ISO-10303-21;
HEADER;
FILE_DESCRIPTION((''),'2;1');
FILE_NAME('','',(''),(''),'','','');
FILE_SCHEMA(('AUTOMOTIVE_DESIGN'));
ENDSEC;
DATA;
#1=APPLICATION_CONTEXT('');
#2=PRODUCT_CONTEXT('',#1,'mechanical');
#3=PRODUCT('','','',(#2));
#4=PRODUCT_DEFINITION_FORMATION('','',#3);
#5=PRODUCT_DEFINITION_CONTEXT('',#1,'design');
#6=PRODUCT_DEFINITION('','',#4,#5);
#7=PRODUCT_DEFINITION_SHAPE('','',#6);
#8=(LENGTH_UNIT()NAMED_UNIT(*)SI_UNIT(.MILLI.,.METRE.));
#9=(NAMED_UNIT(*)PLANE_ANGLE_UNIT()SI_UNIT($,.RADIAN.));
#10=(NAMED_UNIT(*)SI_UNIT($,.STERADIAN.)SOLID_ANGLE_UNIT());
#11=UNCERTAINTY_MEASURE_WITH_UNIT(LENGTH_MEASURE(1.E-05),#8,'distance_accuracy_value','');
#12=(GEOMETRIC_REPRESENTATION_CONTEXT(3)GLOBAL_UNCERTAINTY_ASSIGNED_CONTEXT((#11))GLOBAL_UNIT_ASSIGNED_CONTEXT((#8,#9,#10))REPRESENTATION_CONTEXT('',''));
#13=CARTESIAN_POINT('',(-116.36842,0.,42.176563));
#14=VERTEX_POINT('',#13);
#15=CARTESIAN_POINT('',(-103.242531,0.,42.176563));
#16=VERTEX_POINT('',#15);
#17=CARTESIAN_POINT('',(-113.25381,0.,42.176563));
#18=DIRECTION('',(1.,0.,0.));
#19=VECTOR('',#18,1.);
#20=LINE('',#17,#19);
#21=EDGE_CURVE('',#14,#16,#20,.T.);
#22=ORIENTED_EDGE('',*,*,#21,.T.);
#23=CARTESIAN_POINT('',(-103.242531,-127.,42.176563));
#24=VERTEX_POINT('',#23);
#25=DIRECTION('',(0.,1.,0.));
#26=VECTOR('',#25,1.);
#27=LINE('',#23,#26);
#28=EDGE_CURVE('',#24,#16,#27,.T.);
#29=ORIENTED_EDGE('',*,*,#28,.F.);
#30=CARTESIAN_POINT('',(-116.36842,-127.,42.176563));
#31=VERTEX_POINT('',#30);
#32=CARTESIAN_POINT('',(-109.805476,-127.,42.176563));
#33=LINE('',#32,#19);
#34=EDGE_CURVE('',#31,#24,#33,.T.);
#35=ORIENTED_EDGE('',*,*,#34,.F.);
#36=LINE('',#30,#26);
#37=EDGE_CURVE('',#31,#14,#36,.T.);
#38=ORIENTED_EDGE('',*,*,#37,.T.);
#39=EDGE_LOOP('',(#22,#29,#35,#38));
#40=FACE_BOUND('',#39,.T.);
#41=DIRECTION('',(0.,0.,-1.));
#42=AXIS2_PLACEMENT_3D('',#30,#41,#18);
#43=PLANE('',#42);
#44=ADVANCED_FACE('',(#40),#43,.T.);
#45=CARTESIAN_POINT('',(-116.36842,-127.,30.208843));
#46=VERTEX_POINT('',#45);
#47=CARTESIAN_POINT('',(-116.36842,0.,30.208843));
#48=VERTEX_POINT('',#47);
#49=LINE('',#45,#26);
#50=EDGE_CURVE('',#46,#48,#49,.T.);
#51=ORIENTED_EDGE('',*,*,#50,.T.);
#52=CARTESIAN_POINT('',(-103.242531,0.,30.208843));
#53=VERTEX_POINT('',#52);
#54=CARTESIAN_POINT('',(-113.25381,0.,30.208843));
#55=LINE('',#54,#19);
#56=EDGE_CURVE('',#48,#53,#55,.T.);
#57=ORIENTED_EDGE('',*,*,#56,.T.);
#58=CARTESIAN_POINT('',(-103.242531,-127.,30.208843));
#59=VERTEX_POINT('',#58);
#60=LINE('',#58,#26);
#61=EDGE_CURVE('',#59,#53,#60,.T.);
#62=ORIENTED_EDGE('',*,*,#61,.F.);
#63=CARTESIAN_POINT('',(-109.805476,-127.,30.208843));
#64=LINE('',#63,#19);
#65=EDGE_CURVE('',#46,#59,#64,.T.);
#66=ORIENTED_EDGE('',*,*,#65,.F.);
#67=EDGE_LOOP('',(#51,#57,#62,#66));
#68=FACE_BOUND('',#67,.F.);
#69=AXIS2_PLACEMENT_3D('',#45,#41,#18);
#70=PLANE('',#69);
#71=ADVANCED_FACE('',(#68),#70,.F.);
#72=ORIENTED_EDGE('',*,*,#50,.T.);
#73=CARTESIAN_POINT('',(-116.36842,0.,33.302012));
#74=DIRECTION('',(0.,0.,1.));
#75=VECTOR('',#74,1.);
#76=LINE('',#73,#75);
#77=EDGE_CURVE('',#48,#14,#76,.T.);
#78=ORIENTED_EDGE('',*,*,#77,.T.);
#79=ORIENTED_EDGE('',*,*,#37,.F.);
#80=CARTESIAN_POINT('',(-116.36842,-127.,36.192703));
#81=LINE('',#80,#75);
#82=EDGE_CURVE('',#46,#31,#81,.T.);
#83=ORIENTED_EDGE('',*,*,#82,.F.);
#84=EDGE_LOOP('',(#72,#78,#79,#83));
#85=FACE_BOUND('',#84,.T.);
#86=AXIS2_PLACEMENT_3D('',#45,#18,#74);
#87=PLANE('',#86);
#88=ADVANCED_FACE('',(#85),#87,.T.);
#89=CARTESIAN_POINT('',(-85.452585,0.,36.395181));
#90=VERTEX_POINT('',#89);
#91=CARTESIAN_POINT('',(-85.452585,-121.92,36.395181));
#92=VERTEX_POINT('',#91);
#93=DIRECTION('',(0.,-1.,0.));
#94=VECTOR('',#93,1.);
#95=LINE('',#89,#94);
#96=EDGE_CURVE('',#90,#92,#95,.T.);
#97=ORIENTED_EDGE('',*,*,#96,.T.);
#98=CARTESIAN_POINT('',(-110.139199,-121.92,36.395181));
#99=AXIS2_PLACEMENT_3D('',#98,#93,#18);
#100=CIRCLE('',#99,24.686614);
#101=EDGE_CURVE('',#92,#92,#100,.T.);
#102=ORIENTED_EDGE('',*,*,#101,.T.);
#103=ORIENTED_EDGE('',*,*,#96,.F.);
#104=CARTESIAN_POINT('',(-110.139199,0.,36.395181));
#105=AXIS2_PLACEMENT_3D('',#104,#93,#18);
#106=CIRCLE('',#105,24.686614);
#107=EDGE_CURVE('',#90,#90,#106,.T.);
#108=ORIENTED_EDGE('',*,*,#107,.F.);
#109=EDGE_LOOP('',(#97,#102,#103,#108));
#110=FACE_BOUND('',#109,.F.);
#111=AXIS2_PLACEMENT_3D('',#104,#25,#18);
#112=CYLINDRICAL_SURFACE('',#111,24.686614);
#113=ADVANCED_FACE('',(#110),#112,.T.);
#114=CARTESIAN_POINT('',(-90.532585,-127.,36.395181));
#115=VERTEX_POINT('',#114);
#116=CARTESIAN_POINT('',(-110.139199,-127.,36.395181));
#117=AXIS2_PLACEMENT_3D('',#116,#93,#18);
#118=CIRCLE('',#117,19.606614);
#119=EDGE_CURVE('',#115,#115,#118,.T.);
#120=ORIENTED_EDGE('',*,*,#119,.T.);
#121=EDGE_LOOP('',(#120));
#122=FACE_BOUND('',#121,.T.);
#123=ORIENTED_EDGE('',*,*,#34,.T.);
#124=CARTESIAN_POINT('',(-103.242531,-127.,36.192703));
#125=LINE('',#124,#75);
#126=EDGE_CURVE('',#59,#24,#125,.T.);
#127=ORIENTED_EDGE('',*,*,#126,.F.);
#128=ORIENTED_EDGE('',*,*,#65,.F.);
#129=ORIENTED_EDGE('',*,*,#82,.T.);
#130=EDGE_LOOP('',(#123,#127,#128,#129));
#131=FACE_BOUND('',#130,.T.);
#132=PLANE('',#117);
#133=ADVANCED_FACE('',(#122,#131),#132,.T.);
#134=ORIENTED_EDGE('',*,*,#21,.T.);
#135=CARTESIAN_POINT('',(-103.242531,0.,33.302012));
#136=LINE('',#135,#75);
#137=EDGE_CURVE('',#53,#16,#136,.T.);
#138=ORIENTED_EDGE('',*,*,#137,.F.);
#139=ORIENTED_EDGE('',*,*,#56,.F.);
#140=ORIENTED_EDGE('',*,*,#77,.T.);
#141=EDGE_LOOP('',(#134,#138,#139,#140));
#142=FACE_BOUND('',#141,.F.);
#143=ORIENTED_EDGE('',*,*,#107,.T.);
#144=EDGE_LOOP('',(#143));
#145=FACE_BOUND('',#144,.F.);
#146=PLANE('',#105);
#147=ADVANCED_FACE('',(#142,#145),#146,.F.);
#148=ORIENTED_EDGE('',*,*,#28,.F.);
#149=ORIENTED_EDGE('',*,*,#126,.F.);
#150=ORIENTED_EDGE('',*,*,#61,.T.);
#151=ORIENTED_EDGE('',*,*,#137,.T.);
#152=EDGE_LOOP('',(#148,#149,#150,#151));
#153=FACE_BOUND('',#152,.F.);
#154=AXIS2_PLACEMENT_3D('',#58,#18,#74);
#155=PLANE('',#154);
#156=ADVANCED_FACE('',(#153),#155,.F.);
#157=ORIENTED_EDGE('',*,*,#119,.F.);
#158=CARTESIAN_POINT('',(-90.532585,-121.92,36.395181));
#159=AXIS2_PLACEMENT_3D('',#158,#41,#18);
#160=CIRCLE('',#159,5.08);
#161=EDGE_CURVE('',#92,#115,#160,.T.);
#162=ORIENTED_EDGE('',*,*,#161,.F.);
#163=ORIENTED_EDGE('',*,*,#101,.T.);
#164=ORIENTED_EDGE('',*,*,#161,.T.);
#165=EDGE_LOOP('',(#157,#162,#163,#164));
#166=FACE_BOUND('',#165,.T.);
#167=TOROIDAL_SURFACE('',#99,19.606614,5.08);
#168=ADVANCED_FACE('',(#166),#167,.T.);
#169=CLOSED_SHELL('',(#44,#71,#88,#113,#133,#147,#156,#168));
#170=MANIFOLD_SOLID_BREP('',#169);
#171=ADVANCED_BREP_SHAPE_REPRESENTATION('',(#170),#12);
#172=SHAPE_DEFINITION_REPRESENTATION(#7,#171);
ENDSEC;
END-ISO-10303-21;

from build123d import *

# Parameters (mm, degrees)
F0_R     = 24.686614
F1_DEPTH = 127
F2_R     = 5.08
F3_W     = 13.125889
F3_H     = 11.96772
F4_DEPTH = 127.001


with BuildPart() as f1:
    # F0 (on Front) → F1 (new body)
    with BuildSketch(Plane.XZ):
        with Locations((-110.139199, 36.395181)):
            Circle(F0_R)
    extrude(amount=F1_DEPTH)

    # F2
    f2_edges = [f1.edges().sort_by_distance(p)[0] for p in [
        (-134.825813, -127, 36.395181),
    ]]
    fillet(f2_edges, radius=F2_R)

    # F3 (on face) → F4 (cut, through all)
    with BuildSketch(Plane.XZ.offset(127)):
        with Locations((-109.805476, 36.192703)):
            Rectangle(F3_W, F3_H)
    extrude(amount=-F4_DEPTH, mode=Mode.SUBTRACT)


solid = f1.part
